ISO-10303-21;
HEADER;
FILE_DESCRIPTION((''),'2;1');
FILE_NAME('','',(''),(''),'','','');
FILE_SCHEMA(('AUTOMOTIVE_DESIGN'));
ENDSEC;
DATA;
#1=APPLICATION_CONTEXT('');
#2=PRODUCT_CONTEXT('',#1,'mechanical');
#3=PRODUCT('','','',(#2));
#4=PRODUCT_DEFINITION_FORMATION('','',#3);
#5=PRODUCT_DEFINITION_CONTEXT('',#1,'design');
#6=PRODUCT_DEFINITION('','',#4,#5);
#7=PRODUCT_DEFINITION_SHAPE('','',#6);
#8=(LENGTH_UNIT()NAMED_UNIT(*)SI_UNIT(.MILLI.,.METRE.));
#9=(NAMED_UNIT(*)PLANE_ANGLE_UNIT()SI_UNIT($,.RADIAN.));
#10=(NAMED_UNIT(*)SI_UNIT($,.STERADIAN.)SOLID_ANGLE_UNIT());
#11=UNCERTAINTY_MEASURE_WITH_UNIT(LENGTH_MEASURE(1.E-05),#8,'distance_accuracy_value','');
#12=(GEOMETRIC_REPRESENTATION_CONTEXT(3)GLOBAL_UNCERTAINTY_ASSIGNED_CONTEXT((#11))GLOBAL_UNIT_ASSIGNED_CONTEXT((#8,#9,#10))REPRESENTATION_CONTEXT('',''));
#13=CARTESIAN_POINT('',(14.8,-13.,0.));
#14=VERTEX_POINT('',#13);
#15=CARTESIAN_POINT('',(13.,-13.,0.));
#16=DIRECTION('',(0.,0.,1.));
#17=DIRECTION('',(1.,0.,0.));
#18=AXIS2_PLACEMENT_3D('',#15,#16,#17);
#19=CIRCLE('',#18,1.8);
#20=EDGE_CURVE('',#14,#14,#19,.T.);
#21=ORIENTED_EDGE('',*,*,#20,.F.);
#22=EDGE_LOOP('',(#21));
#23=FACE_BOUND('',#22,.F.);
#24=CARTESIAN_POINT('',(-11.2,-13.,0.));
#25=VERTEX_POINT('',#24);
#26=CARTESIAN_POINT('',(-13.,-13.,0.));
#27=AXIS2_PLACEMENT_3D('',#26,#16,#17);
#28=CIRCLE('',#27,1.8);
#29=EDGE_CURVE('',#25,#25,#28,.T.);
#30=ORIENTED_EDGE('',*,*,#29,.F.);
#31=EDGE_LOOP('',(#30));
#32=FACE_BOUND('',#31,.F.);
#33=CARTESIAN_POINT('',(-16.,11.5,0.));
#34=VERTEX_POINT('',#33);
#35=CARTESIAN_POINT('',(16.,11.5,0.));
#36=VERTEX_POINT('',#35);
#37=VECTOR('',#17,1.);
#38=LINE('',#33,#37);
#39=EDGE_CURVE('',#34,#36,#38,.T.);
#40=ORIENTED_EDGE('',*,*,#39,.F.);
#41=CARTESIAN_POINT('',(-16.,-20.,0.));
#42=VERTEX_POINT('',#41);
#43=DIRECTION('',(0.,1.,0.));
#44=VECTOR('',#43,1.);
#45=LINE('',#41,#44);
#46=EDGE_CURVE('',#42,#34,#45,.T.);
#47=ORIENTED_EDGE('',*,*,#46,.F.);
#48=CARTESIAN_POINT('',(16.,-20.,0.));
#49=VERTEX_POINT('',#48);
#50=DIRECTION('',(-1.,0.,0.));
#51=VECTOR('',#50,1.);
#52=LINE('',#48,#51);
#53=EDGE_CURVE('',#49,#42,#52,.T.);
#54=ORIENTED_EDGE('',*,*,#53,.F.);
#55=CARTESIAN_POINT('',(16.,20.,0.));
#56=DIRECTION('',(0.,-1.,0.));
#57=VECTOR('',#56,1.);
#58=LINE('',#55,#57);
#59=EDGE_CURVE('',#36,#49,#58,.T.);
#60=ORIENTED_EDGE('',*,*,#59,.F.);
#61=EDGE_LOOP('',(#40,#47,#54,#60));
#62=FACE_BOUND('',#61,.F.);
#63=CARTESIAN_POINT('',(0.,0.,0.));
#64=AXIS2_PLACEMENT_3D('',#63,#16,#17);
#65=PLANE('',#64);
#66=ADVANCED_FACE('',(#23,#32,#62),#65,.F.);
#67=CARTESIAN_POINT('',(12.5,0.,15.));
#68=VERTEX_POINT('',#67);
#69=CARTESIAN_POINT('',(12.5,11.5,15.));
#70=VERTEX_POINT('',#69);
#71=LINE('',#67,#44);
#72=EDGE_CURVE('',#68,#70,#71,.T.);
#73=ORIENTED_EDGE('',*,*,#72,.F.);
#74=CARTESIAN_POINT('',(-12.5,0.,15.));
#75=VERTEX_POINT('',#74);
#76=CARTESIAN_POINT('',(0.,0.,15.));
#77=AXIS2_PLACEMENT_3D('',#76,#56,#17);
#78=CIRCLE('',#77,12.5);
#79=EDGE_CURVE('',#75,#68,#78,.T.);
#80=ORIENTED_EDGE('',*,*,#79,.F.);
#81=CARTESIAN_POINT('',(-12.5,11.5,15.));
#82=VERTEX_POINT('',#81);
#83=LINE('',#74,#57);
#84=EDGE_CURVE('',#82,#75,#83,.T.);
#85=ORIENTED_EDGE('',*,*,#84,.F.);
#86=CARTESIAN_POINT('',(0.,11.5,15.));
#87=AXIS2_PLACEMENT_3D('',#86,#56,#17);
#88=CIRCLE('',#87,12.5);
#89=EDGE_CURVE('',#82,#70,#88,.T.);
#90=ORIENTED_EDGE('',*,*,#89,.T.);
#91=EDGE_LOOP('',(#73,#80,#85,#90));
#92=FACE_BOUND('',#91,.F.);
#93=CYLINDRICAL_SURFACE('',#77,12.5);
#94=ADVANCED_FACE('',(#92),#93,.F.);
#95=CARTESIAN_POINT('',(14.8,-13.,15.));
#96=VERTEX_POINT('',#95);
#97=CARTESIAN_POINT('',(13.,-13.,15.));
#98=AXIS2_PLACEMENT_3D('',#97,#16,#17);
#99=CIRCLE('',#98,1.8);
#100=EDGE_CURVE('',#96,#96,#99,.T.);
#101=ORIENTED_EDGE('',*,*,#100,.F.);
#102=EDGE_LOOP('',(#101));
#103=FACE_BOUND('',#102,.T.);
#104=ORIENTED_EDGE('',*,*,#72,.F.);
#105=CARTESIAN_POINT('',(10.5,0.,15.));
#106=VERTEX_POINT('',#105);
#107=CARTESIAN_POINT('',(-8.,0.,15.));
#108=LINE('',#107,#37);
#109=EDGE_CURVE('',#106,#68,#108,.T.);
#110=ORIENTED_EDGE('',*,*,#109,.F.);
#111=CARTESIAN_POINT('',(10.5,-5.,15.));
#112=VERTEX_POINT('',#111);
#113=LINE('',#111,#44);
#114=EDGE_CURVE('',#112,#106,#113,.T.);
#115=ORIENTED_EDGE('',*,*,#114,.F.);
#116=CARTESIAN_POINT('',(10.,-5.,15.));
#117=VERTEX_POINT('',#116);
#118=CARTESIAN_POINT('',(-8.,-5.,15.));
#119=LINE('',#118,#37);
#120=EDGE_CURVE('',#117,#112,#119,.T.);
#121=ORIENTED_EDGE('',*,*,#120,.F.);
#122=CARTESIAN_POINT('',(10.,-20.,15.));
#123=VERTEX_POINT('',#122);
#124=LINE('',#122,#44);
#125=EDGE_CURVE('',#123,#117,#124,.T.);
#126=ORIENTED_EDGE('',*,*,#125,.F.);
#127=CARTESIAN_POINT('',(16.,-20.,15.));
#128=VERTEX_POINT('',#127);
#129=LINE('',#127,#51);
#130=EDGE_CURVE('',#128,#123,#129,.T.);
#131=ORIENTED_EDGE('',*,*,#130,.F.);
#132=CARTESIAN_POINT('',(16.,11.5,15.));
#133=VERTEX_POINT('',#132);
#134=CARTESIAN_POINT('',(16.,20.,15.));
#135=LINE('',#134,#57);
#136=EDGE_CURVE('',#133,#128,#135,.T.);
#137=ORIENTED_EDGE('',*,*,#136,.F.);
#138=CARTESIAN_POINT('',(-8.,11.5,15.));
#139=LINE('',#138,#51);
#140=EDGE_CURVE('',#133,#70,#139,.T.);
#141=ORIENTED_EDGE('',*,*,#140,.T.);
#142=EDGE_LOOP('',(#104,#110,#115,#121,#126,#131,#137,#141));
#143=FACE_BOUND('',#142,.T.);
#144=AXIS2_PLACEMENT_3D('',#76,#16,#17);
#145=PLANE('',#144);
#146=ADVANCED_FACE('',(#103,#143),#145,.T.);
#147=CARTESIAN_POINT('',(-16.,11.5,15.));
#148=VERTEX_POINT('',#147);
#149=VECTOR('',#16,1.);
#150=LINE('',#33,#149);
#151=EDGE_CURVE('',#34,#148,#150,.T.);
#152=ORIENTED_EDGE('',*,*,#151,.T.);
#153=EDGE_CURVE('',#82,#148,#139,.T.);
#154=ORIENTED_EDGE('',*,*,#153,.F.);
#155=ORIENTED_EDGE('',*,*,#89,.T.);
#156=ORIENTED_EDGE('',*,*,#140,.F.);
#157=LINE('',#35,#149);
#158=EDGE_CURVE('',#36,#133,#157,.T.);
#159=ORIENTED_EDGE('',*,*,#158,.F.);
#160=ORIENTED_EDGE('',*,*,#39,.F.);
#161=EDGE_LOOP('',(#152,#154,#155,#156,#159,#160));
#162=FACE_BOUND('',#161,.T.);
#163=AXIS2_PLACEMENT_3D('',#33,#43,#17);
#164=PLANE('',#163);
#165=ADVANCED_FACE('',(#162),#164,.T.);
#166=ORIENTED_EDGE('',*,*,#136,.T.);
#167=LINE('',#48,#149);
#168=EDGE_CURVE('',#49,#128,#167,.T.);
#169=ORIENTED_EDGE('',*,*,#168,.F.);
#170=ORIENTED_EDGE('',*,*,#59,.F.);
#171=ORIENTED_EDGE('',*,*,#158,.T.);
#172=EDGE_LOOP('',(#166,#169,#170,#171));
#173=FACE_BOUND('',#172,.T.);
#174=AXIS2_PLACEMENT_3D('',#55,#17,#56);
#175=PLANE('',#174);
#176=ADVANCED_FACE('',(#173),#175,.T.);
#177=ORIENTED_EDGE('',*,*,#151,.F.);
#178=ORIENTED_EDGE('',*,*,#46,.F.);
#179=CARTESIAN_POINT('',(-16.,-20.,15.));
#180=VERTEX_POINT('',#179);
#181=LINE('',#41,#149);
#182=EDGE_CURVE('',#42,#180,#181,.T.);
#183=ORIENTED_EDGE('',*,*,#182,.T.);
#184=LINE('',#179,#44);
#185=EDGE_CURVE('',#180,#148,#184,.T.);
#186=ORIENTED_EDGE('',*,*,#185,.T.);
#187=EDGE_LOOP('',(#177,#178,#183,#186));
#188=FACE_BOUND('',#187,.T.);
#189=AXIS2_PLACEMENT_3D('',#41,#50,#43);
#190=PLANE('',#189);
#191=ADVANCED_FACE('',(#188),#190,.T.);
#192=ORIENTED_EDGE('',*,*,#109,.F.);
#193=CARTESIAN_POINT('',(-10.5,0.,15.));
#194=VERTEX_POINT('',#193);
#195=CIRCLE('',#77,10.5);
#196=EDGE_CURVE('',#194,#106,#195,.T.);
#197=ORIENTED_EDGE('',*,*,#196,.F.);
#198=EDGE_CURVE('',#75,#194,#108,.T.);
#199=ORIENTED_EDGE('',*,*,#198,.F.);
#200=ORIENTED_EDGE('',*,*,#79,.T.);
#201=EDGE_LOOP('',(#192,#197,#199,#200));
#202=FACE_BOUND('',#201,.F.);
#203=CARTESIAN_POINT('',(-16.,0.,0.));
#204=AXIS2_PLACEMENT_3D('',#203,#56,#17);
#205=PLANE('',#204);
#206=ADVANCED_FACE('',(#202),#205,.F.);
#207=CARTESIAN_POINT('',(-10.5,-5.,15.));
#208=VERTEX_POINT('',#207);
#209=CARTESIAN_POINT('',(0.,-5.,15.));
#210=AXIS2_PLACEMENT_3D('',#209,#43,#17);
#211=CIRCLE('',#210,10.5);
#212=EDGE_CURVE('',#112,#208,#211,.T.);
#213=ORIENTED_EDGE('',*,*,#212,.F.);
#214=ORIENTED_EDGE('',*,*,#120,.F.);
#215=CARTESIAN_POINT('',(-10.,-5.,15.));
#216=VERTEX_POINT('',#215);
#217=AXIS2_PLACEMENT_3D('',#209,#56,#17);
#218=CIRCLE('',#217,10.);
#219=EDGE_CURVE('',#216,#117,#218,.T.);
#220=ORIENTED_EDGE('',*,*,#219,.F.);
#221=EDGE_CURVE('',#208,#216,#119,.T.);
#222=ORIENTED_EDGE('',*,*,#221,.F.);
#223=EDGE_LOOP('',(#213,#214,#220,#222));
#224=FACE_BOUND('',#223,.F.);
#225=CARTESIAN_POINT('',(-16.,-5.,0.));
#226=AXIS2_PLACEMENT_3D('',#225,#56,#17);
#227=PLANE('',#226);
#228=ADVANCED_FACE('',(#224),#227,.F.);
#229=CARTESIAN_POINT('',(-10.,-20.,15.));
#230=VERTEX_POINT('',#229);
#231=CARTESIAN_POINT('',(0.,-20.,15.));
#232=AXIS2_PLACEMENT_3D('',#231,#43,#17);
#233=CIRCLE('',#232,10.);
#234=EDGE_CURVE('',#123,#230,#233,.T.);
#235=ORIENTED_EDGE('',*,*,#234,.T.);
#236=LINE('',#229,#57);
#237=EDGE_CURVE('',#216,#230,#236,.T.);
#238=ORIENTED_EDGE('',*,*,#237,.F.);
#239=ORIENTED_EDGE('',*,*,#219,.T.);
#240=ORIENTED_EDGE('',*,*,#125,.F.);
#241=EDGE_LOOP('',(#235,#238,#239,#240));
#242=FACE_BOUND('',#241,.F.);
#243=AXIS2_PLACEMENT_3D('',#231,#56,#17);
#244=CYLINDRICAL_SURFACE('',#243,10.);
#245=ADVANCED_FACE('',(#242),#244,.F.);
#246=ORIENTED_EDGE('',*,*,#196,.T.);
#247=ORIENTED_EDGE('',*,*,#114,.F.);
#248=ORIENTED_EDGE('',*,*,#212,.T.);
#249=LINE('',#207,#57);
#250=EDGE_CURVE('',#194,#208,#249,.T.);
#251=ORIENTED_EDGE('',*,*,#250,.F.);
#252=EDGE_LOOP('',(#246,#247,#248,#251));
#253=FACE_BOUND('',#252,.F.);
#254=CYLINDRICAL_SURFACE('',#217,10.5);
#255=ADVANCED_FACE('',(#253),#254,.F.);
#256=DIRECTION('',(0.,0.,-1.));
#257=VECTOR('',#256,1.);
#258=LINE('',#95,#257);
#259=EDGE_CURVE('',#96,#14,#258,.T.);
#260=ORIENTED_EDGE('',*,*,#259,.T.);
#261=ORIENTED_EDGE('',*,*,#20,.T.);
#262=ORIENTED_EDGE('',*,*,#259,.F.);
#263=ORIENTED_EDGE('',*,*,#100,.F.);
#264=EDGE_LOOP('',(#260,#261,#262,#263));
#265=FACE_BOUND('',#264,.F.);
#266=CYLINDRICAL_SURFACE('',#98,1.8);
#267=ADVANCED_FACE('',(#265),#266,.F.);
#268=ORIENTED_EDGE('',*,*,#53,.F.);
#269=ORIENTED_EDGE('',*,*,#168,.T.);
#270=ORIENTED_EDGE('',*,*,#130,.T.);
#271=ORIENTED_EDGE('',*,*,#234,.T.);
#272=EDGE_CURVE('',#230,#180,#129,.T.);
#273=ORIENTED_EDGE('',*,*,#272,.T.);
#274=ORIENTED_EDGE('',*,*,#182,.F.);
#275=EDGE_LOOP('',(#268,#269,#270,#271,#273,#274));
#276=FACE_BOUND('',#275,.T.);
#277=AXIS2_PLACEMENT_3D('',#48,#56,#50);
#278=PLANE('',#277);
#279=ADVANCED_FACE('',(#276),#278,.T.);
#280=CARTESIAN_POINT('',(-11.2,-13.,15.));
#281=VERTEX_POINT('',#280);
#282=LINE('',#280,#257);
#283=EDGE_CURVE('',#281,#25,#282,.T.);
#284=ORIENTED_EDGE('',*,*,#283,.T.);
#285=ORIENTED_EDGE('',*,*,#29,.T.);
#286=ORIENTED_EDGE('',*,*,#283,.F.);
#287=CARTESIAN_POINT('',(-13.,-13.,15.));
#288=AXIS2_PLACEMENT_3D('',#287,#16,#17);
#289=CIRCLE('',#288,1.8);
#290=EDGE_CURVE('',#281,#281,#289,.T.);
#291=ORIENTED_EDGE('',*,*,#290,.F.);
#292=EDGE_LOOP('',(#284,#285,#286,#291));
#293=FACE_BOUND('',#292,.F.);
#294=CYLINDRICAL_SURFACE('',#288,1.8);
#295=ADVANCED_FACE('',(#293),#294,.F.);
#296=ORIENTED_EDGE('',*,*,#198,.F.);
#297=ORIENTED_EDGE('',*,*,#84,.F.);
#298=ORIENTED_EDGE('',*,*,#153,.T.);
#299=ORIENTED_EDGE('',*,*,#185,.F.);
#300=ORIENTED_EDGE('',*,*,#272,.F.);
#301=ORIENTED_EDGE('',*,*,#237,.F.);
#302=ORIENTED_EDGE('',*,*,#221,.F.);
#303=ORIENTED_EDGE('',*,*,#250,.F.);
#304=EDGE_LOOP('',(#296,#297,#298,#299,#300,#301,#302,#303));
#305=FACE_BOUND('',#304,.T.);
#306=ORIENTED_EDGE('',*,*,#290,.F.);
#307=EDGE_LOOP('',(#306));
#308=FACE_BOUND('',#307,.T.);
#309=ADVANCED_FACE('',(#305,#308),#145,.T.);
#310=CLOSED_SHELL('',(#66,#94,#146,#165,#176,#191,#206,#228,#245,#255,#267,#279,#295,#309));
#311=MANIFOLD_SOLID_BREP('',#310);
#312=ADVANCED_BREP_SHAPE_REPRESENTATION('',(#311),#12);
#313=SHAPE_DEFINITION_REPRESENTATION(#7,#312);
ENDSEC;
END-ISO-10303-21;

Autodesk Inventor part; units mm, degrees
ref_plane "YZ Plane" through (0, 0, 0) normal (1, 0, 0) x (0, 1, 0)
ref_plane "XZ Plane" through (0, 0, 0) normal (0, 1, 0) x (-1, 0, 0)
ref_plane "XY Plane" through (0, 0, 0) normal (0, 0, 1) x (1, 0, 0)
sketch "Skizze1" plane through (0, 0, 0) normal (0, 0, 1) x (1, 0, 0)
  line L0 (-16, 20) -> (16, 20)
  line L1 (16, 20) -> (16, -20)
  line L2 (16, -20) -> (-16, -20)
  line L3 (-16, -20) -> (-16, 20)
  line L4 (-16, 20) -> (16, -20) construction
  line L5 (16, 20) -> (-16, -20) construction
  point P0 (0, 0)
  dimension "d0" = 32
  dimension "d1" = 40
extrude "Extrusion1" add sketch "Skizze1" along normal blind 15
sketch "Skizze2" plane through (-16, -20, 0) normal (0, -1, 0) x (1, 0, 0)
  line L0 (0, 15) -> (32, 15) projected
  line L1 (0, 0) -> (0, 15) projected
  line L2 (32, 0) -> (0, 0) projected
  line L3 (32, 0) -> (32, 15) projected
  line L4 (32, 15) -> (0, 15) projected
  circle A0 centre (16, 15) radius 10
  point P0 (16, 0)
  dimension "d4" = 20
extrude "Extrusion2" cut sketch "Skizze2" against normal blind 15 contours A0 L0 | L0 A0
sketch "Skizze3" plane through (-16, -5, 0) normal (0, -1, 0) x (1, 0, 0)
  line L0 (0, 0) -> (0, 15) projected
  line L1 (32, 0) -> (0, 0) projected
  line L2 (32, 0) -> (32, 15) projected
  line L3 (26, 15) -> (32, 15) projected
  line L4 (0, 15) -> (6, 15) projected
  line L5 (6, 15) -> (26, 15) projected
  circle A0 centre (16, 15) radius 10.5
  point P0 (16, 0)
  dimension "d7" = 21
extrude "Extrusion3" cut sketch "Skizze3" against normal blind 5 contours A0 L3 L5 L4 | L4 L5 L3 A0
sketch "Skizze4" plane through (-16, 0, 0) normal (0, -1, 0) x (1, 0, 0)
  line L0 (5.5, 15) -> (26.5, 15) projected
  circle A0 centre (16, 15) radius 12.5
  point P0 (16, 0)
  dimension "d10" = 25
extrude "Extrusion4" cut sketch "Skizze4" against normal through all
sketch "Skizze5" plane through (0, 0, 15) normal (0, 0, 1) x (1, 0, 0)
  line L0 (-16, 20) -> (-16, -20) projected
  line L1 (-16, -20) -> (-10, -20) projected
  line L2 (-10, -20) -> (-10, -5) projected
  line L3 (10, -5) -> (10, -20) projected
  line L4 (10, -20) -> (16, -20) projected
  line L5 (16, -20) -> (16, 20) projected
  circle A0 centre (-13, -13) radius 1.8
  circle A1 centre (13, -13) radius 1.8
  point P0 (0, 0)
  dimension "d13" = 3.6
  dimension "d14" = 3.6
  dimension "d15" = 7
  dimension "d16" = 7
  dimension "d17" = 3
  dimension "d18" = 3
extrude "Extrusion5" cut sketch "Skizze5" against normal through all
sketch "Skizze6" plane through (0, 0, 0) normal (0, 0, -1) x (-1, 0, 0)
  line L0 (12.5, 20) -> (16, 20) projected
  line L1 (16, 20) -> (16, 11.5)
  line L2 (16, 20) -> (16, -20) projected
  line L3 (16, 11.5) -> (-16, 11.5)
  line L4 (-16, -20) -> (-16, 20) projected
  line L5 (-16, 20) -> (16, 20)
  point P0 (0, 0)
  dimension "d21" = 8.5
extrude "Extrusion6" cut sketch "Skizze6" against normal blind 22.5
properties part number "oberteil (1)"
